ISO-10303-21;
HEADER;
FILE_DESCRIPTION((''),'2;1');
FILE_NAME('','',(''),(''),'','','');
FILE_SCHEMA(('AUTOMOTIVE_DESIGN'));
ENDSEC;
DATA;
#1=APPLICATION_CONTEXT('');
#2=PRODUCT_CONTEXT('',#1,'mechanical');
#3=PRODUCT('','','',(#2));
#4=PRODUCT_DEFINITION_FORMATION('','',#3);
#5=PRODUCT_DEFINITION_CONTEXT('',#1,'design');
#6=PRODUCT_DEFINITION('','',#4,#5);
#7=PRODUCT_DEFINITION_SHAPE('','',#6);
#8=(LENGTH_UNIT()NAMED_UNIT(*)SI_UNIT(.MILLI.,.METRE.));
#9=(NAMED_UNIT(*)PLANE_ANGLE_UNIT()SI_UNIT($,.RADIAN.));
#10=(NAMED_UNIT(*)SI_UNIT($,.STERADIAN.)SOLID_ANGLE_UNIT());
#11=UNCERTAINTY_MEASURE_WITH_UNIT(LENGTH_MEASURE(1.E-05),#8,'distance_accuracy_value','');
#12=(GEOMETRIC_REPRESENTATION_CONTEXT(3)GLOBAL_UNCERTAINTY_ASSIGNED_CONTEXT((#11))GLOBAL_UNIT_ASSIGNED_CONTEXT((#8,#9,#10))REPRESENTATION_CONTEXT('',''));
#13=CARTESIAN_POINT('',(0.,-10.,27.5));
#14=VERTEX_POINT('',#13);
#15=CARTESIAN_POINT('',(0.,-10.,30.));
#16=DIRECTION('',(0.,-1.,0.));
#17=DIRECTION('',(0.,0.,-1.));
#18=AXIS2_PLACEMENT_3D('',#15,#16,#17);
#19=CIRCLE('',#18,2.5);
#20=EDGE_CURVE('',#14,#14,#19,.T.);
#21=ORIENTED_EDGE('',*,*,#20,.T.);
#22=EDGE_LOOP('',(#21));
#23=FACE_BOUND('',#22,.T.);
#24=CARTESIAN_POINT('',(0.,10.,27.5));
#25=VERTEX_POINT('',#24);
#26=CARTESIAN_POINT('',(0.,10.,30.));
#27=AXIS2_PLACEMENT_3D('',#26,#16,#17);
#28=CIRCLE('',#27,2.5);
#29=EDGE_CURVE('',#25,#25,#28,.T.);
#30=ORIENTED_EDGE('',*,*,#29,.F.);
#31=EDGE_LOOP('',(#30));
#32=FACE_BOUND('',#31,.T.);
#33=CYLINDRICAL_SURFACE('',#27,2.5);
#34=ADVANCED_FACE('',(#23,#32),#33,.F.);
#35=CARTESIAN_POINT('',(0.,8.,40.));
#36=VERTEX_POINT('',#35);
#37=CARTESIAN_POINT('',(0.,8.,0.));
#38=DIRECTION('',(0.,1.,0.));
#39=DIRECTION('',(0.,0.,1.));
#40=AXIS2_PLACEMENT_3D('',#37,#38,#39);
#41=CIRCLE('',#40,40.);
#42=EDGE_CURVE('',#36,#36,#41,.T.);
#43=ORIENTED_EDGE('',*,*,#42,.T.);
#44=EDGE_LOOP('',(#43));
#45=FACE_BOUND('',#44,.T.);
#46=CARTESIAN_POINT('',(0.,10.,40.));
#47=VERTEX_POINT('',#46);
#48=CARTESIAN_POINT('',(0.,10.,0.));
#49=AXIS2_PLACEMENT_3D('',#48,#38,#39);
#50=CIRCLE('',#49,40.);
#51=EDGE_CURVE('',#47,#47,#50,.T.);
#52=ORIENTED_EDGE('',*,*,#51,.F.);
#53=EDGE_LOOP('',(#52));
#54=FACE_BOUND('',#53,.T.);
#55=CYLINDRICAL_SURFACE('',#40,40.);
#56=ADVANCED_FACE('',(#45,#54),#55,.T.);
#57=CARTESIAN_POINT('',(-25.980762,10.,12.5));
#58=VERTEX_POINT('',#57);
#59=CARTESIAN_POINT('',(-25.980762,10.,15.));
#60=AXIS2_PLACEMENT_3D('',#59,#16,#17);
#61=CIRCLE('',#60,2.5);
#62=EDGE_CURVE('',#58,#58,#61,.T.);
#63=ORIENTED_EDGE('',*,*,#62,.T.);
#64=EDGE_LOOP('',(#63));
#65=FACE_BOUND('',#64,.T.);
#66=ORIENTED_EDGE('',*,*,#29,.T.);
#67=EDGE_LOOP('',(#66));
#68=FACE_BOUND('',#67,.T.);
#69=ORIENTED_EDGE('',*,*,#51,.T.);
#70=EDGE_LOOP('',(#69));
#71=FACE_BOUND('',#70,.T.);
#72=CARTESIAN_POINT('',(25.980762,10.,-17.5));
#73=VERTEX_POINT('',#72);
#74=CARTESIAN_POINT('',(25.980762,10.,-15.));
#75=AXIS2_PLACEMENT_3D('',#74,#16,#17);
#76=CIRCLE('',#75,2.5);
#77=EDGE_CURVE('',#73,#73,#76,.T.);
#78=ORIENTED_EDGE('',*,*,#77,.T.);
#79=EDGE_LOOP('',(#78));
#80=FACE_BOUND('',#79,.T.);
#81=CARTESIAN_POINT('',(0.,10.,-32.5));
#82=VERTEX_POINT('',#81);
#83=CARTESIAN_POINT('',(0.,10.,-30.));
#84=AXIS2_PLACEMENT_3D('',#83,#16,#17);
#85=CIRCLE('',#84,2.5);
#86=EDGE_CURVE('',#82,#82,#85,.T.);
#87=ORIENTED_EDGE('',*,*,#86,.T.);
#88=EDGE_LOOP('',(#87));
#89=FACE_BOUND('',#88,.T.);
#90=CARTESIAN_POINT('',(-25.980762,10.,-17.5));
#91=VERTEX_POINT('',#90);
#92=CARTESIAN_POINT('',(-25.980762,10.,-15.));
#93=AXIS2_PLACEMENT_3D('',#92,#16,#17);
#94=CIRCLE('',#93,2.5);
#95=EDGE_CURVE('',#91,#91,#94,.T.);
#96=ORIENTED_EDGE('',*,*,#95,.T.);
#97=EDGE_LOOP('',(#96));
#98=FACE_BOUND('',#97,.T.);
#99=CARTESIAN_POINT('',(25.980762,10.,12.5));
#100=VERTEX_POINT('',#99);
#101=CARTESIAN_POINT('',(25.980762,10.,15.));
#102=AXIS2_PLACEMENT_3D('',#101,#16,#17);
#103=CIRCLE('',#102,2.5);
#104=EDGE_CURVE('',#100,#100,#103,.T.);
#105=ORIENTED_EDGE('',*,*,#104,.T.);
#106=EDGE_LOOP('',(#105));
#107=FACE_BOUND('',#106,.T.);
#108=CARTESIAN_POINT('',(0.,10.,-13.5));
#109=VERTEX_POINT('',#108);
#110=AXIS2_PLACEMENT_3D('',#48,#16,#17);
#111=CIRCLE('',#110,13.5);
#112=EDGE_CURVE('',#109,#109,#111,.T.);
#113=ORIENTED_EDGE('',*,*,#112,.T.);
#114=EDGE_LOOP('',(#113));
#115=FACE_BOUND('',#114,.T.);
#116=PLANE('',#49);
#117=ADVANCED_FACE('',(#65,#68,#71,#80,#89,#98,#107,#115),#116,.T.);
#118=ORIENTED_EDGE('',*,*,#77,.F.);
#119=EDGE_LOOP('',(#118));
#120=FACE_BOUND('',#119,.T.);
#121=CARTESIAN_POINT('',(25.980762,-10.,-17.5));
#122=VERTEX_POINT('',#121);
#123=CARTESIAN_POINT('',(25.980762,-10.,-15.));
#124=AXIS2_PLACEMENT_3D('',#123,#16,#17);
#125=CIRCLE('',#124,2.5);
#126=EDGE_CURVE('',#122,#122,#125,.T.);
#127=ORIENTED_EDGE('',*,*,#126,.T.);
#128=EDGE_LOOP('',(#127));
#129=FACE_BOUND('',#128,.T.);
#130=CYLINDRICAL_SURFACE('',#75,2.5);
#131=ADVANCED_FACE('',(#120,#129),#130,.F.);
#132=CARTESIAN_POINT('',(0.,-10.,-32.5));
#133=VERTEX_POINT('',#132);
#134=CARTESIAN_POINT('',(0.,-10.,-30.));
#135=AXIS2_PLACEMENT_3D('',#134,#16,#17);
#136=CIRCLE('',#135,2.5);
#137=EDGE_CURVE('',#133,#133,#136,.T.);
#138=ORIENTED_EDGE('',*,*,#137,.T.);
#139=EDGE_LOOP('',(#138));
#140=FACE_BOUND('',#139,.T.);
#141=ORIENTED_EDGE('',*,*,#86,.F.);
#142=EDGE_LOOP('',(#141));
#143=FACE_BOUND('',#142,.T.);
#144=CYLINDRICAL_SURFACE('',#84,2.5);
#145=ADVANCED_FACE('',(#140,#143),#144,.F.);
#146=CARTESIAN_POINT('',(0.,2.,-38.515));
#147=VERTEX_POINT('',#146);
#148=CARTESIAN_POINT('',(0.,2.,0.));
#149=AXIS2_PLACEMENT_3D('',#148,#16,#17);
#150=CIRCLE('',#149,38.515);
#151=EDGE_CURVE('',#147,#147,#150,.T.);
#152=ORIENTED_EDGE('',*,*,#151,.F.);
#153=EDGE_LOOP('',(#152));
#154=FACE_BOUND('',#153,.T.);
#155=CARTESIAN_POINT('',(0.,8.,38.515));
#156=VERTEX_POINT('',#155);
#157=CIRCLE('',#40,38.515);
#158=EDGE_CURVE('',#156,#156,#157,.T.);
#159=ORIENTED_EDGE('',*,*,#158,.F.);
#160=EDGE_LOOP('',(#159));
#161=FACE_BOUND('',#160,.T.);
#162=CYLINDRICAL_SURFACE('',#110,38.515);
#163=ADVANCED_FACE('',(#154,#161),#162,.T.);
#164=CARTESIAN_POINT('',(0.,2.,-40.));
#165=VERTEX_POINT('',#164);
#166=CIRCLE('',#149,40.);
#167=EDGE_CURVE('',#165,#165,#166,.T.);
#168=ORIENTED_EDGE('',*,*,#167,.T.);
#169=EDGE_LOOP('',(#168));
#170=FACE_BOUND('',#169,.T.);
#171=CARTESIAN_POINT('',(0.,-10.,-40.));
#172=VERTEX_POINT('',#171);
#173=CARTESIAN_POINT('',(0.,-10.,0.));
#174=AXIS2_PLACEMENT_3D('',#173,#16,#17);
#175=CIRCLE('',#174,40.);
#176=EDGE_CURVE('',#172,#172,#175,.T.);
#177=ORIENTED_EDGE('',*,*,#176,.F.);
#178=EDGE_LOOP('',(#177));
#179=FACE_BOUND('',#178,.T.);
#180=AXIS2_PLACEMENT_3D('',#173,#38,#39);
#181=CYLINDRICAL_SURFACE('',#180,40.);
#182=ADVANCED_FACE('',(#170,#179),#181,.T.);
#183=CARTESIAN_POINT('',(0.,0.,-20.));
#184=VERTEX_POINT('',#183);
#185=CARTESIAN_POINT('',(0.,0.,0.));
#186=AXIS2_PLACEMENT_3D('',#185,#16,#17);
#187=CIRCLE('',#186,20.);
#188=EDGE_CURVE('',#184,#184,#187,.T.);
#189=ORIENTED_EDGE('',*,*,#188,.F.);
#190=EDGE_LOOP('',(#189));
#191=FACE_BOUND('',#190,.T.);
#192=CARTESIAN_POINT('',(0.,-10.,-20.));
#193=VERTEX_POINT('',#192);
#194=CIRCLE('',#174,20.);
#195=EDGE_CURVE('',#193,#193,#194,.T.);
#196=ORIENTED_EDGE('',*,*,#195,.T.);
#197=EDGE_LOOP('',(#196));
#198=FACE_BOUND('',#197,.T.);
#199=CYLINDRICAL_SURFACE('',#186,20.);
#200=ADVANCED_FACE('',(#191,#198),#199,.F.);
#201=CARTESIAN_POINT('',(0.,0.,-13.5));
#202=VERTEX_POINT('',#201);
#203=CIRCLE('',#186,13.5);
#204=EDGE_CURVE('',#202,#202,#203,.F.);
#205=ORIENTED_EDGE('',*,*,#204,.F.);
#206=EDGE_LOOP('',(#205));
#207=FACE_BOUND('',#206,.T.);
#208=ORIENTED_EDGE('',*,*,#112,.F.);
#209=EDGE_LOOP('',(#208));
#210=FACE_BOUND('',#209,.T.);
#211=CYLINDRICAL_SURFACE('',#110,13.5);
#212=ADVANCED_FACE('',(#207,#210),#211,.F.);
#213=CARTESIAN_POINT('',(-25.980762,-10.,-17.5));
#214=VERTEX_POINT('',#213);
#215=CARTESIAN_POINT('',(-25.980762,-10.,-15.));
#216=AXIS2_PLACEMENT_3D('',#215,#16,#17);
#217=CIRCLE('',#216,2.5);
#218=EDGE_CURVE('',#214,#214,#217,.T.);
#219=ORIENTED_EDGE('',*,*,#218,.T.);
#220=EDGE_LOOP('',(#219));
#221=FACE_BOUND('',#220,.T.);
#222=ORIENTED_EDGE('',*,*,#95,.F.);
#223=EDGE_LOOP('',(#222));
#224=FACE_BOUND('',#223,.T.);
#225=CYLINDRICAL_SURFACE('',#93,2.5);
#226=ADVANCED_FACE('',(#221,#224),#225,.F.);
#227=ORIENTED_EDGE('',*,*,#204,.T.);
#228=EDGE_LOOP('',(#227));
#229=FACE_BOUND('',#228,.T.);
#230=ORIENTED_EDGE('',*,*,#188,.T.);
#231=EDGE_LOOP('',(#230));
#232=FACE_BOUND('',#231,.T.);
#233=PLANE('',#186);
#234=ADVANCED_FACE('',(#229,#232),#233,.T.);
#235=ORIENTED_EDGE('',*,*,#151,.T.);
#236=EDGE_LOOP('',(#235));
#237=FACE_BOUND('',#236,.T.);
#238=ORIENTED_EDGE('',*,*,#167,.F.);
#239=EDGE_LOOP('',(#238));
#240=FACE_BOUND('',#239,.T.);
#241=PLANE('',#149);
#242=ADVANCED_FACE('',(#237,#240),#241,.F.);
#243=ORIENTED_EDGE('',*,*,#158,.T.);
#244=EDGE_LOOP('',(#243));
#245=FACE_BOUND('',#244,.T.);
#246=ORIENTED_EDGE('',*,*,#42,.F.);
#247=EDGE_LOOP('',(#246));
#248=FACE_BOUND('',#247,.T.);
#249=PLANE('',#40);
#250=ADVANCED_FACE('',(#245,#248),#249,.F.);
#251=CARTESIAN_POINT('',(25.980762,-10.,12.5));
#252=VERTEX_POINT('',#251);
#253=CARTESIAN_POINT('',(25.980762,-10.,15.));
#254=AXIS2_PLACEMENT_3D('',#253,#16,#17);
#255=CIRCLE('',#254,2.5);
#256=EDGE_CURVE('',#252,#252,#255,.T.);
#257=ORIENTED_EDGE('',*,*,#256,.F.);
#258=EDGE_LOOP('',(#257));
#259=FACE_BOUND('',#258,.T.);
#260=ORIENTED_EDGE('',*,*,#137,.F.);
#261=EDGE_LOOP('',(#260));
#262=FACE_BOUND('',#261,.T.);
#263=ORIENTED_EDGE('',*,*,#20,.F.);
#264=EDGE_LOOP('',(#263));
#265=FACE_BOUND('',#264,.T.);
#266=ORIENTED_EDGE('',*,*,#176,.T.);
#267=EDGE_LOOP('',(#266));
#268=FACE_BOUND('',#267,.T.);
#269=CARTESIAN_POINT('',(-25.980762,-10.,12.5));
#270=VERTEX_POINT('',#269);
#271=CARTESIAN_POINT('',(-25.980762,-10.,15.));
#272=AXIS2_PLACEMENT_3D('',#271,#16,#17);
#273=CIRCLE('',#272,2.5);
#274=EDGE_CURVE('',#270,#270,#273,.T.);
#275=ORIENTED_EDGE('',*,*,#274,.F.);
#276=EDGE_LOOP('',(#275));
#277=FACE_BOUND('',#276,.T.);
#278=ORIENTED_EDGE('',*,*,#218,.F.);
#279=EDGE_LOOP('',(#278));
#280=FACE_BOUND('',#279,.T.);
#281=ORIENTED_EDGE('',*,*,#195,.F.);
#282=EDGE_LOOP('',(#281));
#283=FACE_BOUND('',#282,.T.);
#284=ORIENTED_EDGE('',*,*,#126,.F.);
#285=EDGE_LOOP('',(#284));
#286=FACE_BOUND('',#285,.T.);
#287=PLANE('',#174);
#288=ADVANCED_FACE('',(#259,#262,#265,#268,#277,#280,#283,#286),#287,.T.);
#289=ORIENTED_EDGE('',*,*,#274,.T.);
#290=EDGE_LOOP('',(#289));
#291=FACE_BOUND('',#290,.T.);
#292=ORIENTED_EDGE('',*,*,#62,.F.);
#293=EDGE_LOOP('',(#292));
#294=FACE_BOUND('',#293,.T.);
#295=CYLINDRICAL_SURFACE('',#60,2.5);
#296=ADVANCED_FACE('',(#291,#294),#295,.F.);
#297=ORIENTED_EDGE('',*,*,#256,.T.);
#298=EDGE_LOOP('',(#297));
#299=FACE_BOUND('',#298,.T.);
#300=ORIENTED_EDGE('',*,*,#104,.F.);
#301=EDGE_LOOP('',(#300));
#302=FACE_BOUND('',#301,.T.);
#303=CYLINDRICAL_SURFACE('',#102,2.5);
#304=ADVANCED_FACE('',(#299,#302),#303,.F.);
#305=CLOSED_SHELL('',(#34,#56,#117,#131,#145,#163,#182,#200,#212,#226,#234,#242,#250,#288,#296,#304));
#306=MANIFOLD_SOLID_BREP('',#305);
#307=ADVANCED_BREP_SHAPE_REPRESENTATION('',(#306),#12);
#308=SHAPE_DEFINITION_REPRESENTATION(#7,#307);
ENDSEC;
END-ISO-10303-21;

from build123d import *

# Parameters (mm, degrees)
SKETCH1_R                = 38.515
BOSS_EXTRUDE1_DEPTH      = 10
SKETCH2_R                = 40
BOSS_EXTRUDE2_DEPTH      = 2
BOSS_EXTRUDE3_DEPTH      = 10
BOSS_EXTRUDE3_DEPTH_BACK = 2
SKETCH3_R                = 40
SKETCH4_R                = 13.5
SKETCH4_R_2              = 2.5
CUT_EXTRUDE1_DEPTH       = 61
SKETCH5_R                = 20
CUT_EXTRUDE2_DEPTH       = 10


with BuildPart() as part:
    # Sketch1 → Boss-Extrude1 (new body)
    with BuildSketch(Plane(origin=(0, 0, 0), x_dir=(1, 0, 0), z_dir=(0, 1, 0))):
        with Locations(Location((0, 0, 0), (0, 0, 270))):
            Circle(SKETCH1_R)
    extrude(amount=BOSS_EXTRUDE1_DEPTH)

    # Sketch2 → Boss-Extrude2 (add)
    with BuildSketch(Plane(origin=(0, 10, 0), x_dir=(1, 0, 0), z_dir=(0, 1, 0))):
        with Locations(Location((0, 0, 0), (0, 0, 270))):
            Circle(SKETCH2_R)
    extrude(amount=-BOSS_EXTRUDE2_DEPTH)

    # Sketch3 → Boss-Extrude3 (add, two sides: drawn at the far end of the back side and taken through both)
    with BuildSketch(Plane.XZ.offset(-BOSS_EXTRUDE3_DEPTH_BACK)):
        with Locations(Location((0, 0, 0), (0, 0, 90))):
            Circle(SKETCH3_R)
    extrude(amount=BOSS_EXTRUDE3_DEPTH + BOSS_EXTRUDE3_DEPTH_BACK)

    # Sketch4 → Cut-Extrude1 (cut, through all)
    with BuildSketch(Plane.XZ.offset(10)):
        with Locations(Location((0, 0, 0), (0, 0, 270))):
            Circle(SKETCH4_R)
        with Locations(Location((0, 30, 0), (0, 0, 270))):
            Circle(SKETCH4_R_2)
        with Locations(Location((25.980762114, 15, 0), (0, 0, 270))):
            Circle(SKETCH4_R_2)
        with Locations(Location((25.980762114, -15, 0), (0, 0, 270))):
            Circle(SKETCH4_R_2)
        with Locations(Location((0, -30, 0), (0, 0, 270))):
            Circle(SKETCH4_R_2)
        with Locations(Location((-25.980762114, -15, 0), (0, 0, 270))):
            Circle(SKETCH4_R_2)
        with Locations(Location((-25.980762114, 15, 0), (0, 0, 270))):
            Circle(SKETCH4_R_2)
    extrude(amount=-CUT_EXTRUDE1_DEPTH, mode=Mode.SUBTRACT)

    # Sketch5 → Cut-Extrude2 (cut)
    with BuildSketch(Plane.XZ.offset(10)):
        with Locations(Location((0, 0, 0), (0, 0, 270))):
            Circle(SKETCH5_R)
    extrude(amount=-CUT_EXTRUDE2_DEPTH, mode=Mode.SUBTRACT)


solid = part.part
